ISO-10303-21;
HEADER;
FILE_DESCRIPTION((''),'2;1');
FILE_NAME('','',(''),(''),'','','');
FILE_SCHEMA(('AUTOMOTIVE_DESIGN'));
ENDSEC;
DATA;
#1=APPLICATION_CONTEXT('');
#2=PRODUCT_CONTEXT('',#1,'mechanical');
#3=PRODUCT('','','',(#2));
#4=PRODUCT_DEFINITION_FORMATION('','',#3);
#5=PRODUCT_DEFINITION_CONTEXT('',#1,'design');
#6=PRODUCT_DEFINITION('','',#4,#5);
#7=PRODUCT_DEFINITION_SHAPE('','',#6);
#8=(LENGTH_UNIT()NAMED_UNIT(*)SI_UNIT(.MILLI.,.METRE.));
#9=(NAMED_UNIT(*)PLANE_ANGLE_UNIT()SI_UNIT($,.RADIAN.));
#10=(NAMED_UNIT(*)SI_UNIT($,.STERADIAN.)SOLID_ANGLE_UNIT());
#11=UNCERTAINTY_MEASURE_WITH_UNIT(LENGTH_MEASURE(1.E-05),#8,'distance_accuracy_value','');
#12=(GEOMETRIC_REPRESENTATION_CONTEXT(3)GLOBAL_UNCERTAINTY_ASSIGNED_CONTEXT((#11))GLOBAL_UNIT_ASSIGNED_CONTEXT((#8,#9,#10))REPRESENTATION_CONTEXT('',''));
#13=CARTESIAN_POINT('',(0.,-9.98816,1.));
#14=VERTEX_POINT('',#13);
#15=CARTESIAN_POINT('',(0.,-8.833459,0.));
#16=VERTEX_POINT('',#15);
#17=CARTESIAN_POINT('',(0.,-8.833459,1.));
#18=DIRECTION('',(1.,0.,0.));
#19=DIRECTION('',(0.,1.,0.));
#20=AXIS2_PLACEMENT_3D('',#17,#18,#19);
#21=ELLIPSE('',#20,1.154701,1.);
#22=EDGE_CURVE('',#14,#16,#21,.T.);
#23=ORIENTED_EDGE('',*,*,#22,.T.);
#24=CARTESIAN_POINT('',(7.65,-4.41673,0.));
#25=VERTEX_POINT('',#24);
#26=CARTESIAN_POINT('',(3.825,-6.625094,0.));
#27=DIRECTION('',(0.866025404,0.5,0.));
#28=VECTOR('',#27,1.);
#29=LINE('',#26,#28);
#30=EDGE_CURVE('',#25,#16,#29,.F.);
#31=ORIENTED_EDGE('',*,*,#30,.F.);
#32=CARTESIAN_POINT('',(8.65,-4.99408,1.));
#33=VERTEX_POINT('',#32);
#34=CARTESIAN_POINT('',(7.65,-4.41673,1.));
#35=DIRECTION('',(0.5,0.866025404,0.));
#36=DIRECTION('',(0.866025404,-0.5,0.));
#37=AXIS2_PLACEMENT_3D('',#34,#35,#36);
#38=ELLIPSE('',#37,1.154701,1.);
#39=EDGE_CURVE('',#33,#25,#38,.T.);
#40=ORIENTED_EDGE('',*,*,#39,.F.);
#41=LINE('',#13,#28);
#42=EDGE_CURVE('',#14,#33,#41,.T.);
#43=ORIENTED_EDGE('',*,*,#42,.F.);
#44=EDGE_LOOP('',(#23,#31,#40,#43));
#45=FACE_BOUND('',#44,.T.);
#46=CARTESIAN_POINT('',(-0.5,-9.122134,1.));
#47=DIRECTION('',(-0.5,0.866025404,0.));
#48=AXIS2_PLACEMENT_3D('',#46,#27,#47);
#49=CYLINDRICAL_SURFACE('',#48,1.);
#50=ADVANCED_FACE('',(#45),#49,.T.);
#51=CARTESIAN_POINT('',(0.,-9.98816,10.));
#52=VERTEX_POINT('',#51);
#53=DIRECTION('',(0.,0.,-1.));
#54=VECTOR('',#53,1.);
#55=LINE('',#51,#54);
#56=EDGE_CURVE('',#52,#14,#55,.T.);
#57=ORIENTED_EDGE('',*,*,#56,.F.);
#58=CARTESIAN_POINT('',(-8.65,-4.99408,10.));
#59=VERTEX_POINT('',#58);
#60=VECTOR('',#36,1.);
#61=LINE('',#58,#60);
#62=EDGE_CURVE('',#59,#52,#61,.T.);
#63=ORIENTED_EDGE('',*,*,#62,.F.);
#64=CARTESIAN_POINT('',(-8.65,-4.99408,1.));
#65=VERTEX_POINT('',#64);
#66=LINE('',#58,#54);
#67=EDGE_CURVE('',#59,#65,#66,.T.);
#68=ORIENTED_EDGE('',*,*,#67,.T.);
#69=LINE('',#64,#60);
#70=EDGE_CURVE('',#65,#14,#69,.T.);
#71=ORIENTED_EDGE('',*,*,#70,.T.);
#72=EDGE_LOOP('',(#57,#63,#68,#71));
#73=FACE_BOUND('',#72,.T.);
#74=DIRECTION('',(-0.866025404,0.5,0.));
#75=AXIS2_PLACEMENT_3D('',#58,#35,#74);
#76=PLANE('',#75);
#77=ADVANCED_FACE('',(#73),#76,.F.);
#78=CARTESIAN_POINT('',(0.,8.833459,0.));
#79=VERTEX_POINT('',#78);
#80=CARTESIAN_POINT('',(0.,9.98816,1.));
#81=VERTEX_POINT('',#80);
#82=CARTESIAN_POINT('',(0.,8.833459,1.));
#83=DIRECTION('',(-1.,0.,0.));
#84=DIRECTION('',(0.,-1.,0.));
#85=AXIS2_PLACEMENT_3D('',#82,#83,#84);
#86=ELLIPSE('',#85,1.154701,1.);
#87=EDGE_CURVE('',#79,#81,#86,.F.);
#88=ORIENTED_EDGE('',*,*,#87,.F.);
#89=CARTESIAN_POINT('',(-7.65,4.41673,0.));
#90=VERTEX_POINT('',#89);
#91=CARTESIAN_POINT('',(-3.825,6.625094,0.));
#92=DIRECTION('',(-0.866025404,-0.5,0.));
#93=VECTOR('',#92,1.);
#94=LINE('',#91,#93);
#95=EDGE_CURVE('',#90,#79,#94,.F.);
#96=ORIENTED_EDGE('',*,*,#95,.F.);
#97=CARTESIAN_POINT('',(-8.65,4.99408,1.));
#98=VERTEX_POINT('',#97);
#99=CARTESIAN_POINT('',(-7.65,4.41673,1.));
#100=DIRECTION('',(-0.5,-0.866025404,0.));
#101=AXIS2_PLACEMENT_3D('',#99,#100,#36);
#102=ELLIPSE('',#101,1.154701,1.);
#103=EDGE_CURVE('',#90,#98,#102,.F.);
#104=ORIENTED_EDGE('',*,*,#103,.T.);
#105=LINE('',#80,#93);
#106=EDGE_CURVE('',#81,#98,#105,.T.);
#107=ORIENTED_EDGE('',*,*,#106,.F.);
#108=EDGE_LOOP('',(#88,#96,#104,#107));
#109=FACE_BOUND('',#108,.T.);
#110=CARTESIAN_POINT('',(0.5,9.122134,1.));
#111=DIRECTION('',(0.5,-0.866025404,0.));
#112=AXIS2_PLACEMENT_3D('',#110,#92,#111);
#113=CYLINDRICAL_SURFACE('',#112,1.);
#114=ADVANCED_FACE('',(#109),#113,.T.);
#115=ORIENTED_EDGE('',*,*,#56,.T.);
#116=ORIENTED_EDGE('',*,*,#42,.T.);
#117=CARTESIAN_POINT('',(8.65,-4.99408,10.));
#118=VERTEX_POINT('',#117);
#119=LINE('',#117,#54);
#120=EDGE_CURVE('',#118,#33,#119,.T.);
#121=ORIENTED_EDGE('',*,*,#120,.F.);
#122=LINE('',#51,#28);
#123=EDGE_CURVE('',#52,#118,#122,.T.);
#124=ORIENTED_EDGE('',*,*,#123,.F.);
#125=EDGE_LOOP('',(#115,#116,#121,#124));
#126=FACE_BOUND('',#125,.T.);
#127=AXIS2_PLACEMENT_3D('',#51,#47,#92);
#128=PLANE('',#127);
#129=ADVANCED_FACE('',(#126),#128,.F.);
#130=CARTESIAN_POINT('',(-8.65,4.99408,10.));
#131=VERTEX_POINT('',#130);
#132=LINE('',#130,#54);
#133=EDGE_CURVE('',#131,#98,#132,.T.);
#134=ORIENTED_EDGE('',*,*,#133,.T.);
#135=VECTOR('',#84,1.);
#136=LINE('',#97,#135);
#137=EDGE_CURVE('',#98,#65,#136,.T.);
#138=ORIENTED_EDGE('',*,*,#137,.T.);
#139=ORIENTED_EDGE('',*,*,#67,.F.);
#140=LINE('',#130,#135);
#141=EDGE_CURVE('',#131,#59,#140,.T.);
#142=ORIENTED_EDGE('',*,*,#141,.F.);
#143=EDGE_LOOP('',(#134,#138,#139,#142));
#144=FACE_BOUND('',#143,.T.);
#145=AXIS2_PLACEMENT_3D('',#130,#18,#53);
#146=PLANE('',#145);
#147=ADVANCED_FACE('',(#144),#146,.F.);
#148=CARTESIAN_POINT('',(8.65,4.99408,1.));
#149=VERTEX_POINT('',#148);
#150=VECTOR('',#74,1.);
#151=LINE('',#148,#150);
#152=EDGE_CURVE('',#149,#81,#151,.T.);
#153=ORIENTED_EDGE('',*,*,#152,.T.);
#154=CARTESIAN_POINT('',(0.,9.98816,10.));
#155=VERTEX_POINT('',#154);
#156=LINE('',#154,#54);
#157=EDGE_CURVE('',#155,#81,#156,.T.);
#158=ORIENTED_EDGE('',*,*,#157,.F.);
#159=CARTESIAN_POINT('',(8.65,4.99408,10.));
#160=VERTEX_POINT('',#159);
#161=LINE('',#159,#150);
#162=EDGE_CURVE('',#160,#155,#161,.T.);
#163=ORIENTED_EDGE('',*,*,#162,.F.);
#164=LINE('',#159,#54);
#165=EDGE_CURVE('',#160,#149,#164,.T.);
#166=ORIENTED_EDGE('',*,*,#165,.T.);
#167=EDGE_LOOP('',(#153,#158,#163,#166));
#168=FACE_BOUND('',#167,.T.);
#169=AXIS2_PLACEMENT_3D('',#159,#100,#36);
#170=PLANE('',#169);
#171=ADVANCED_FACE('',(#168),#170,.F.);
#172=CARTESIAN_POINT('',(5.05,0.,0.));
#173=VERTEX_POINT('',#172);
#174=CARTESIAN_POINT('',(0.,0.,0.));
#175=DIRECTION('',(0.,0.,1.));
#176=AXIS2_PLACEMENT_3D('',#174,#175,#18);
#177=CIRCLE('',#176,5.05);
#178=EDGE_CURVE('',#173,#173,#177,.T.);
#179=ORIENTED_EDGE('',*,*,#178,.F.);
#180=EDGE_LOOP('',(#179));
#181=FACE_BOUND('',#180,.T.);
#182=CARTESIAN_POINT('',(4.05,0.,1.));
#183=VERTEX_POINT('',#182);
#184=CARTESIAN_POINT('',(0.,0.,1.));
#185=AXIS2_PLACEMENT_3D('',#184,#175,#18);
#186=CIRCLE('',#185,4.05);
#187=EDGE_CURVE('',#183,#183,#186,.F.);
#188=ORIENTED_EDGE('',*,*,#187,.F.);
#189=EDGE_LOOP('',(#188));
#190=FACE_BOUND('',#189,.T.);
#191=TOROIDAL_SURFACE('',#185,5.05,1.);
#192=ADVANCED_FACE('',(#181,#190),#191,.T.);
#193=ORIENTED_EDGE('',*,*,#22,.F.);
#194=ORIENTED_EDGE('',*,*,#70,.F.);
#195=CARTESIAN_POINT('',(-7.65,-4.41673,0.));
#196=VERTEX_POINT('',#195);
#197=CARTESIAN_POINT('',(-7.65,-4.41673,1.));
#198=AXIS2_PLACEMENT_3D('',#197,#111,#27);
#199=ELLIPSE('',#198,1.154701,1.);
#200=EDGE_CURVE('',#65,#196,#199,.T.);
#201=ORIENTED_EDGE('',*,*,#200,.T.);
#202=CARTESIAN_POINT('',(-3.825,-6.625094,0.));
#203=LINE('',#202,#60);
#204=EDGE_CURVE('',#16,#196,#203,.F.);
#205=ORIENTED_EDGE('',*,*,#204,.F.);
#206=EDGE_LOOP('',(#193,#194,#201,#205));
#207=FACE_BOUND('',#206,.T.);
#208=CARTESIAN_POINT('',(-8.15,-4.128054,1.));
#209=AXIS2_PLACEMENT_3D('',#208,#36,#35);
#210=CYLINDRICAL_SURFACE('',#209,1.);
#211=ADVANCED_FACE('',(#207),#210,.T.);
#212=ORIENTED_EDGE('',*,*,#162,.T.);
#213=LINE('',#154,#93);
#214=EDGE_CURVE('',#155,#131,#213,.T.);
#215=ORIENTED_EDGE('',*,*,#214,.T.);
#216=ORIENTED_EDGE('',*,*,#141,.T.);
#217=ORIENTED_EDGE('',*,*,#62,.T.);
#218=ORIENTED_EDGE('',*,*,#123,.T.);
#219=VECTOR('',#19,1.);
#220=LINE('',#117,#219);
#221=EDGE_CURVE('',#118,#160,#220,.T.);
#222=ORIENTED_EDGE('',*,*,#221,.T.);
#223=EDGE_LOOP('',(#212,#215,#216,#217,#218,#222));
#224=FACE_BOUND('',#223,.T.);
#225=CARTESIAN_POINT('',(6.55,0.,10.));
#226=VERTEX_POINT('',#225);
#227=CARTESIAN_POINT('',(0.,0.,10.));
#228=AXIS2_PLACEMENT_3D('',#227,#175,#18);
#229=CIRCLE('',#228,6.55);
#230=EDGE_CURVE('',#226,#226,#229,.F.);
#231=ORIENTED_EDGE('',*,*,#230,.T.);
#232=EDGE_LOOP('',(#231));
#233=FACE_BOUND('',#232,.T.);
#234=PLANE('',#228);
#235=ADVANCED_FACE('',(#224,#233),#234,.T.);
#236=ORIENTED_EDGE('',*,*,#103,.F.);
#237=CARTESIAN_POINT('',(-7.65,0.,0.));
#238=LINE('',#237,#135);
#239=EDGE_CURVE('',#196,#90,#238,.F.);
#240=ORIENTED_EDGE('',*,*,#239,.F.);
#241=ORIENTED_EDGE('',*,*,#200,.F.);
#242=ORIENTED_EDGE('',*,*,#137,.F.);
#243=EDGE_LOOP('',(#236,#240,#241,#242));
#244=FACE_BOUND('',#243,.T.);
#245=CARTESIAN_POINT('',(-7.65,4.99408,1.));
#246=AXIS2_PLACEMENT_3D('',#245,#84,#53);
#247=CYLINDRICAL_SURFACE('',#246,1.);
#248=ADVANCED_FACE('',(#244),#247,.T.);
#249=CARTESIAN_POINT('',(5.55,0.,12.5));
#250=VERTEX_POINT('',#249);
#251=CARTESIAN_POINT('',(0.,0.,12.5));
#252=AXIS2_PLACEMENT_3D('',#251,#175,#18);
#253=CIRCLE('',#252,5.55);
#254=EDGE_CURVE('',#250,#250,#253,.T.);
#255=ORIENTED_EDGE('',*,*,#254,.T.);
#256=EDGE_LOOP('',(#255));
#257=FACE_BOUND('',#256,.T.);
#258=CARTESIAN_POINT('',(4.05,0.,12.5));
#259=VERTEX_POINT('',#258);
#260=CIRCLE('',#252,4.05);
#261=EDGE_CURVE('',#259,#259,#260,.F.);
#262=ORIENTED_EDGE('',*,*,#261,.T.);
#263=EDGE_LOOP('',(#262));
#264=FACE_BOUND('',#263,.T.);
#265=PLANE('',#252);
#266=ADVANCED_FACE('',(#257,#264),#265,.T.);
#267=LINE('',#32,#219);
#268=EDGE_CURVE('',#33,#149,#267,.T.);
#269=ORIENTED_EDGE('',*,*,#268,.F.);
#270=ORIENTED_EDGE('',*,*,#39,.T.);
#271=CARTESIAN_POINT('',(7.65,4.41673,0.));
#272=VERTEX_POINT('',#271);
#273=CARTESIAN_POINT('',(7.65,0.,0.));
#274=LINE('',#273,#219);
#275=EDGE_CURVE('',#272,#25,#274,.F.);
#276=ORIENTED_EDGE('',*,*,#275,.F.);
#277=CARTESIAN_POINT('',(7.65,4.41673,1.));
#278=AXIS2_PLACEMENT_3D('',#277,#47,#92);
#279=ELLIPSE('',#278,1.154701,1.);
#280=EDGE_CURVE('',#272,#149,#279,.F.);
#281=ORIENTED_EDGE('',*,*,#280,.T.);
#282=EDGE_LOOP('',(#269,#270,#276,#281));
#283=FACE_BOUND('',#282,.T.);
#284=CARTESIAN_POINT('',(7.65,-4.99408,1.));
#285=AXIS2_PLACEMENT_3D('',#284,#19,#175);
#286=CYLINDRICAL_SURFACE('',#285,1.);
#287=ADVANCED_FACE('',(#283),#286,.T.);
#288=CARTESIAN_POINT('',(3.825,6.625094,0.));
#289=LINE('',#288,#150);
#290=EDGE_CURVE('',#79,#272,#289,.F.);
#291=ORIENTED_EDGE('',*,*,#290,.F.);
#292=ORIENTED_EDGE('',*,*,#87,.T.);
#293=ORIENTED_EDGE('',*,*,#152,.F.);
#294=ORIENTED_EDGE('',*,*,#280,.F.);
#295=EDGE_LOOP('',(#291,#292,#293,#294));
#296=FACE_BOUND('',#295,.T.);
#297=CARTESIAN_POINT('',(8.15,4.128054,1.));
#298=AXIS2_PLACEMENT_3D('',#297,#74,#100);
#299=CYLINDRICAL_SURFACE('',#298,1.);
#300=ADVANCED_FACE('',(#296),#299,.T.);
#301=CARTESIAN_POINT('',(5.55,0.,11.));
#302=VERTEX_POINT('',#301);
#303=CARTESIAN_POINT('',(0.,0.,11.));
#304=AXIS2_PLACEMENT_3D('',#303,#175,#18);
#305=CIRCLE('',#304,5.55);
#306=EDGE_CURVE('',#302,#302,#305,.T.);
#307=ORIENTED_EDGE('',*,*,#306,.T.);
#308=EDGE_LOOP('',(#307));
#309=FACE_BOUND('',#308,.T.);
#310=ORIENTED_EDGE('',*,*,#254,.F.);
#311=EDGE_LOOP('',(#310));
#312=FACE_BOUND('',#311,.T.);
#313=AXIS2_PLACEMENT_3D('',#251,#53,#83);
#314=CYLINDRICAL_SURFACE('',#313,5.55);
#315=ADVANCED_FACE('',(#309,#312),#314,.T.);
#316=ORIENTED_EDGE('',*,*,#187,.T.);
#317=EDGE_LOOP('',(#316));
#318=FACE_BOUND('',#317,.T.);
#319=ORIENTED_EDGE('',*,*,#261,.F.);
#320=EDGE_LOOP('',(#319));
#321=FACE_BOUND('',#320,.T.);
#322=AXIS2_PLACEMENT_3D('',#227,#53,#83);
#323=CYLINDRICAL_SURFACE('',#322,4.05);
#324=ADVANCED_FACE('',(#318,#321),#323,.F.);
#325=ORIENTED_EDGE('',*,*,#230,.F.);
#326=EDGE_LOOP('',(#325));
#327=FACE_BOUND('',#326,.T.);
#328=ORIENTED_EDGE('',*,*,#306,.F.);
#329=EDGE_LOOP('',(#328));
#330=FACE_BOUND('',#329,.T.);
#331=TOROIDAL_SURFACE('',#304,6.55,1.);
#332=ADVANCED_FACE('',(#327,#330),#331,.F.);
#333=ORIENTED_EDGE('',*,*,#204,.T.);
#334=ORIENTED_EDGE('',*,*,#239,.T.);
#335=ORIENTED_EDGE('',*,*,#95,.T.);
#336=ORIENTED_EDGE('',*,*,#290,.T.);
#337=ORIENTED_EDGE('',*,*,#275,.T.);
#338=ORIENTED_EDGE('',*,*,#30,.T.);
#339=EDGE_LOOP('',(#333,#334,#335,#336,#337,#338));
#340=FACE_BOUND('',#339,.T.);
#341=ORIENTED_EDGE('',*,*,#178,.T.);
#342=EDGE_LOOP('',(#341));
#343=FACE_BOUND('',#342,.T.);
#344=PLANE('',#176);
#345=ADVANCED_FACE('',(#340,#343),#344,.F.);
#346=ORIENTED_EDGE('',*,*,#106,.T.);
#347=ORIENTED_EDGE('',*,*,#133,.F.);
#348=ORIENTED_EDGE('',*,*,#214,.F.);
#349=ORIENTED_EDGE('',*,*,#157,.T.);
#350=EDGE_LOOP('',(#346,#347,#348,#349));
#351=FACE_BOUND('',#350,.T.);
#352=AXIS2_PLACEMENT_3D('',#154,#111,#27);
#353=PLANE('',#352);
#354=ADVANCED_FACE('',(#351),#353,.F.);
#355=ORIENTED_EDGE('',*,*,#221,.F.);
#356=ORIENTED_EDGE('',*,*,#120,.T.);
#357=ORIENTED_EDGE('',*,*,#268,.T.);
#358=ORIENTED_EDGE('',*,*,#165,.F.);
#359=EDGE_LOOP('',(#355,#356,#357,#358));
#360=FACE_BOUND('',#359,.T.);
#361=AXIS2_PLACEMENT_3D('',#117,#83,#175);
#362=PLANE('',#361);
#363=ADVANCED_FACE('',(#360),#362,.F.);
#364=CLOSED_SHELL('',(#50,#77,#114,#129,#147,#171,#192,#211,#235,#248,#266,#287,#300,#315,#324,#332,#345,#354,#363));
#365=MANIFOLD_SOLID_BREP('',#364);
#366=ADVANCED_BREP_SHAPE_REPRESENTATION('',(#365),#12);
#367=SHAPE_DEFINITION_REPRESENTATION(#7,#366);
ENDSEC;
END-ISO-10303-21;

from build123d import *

# Parameters (mm, degrees)
SKETCH1_R           = 4.05
BOSS_EXTRUDE1_DEPTH = 10
SKETCH2_R           = 5.55
SKETCH2_R_2         = 4.05
BOSS_EXTRUDE2_DEPTH = 2.5
FILLET1_R           = 1


with BuildPart() as part:
    # Sketch1 → Boss-Extrude1 (new body)
    with BuildSketch(Plane.XY):
        Polygon((8.65, -4.994079828), (8.65, 4.994079828), (0, 9.988159657), (-8.65, 4.994079828), (-8.65, -4.994079828), (0, -9.988159657), align=None)
        Circle(SKETCH1_R, mode=Mode.SUBTRACT)
    extrude(amount=BOSS_EXTRUDE1_DEPTH)

    # Sketch2 → Boss-Extrude2 (add)
    with BuildSketch(Plane.XY.offset(10)):
        Circle(SKETCH2_R)
        Circle(SKETCH2_R_2, mode=Mode.SUBTRACT)
    extrude(amount=BOSS_EXTRUDE2_DEPTH)

    # Fillet1
    fillet1_edges = [part.edges().sort_by_distance(p)[0] for p in [
        (-4.05, 0, 0),
        (-5.55, 0, 10),
        (-4.325, -7.491119743, 0),
        (-8.65, 0, 0),
        (-4.325, 7.491119743, 0),
        (4.325, 7.491119743, 0),
        (8.65, 0, 0),
        (4.325, -7.491119743, 0),
    ]]
    fillet(fillet1_edges, radius=FILLET1_R)


solid = part.part
